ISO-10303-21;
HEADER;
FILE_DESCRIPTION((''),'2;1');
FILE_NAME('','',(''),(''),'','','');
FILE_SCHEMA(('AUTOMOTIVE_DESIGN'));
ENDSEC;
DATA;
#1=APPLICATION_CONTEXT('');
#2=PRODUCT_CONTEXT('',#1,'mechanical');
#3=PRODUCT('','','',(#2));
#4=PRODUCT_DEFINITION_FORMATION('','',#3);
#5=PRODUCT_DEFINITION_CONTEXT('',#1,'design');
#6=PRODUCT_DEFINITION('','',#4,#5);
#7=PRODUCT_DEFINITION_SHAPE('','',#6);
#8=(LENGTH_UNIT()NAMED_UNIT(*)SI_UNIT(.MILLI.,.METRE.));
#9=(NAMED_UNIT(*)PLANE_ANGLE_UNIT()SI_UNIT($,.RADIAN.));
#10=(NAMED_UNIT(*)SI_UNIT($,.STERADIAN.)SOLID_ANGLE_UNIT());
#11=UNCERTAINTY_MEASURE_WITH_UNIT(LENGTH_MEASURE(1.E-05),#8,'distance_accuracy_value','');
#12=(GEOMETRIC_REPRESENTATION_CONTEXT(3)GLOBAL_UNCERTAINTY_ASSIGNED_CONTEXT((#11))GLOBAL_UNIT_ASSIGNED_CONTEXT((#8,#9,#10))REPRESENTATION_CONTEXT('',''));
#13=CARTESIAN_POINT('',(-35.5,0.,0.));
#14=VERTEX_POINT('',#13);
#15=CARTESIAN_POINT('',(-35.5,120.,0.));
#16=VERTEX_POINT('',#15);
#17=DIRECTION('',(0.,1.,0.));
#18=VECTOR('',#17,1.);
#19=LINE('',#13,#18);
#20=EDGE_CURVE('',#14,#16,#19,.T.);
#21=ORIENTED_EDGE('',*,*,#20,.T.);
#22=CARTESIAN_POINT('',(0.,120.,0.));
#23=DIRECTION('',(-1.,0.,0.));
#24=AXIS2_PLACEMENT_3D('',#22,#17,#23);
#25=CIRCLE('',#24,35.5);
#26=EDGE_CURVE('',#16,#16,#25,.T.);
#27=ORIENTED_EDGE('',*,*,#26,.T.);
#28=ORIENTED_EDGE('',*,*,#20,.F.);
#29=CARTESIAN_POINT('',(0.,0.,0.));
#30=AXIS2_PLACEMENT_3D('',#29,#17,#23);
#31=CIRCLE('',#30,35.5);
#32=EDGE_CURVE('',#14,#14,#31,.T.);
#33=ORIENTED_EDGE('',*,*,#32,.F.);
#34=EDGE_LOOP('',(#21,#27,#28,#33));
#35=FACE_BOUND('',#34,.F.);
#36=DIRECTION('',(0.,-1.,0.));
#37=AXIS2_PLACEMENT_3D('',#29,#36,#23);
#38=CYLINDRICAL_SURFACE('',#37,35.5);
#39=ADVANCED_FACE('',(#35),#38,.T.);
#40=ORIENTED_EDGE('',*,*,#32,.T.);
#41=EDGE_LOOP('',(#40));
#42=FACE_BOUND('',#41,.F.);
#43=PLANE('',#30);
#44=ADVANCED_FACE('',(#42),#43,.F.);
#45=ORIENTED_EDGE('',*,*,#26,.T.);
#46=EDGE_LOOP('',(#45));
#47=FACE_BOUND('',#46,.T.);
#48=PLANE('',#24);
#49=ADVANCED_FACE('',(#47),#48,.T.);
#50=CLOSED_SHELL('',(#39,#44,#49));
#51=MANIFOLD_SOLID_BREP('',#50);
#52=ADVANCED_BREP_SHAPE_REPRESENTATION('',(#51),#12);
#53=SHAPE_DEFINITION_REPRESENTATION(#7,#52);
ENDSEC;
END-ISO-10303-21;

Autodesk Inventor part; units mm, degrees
ref_plane "YZ Plane" through (0, 0, 0) normal (1, 0, 0) x (0, 1, 0)
ref_plane "XZ Plane" through (0, 0, 0) normal (0, 1, 0) x (-1, 0, 0)
ref_plane "XY Plane" through (0, 0, 0) normal (0, 0, 1) x (1, 0, 0)
sketch "Skizze1" plane through (0, 0, 0) normal (0, 1, 0) x (-1, 0, 0)
  circle A0 centre (0, 0) radius 35.5
  dimension "d0" = 71
extrude "Extrusion1" add sketch "Skizze1" along normal blind 120
properties part number "Wasser" material "Wasser"
